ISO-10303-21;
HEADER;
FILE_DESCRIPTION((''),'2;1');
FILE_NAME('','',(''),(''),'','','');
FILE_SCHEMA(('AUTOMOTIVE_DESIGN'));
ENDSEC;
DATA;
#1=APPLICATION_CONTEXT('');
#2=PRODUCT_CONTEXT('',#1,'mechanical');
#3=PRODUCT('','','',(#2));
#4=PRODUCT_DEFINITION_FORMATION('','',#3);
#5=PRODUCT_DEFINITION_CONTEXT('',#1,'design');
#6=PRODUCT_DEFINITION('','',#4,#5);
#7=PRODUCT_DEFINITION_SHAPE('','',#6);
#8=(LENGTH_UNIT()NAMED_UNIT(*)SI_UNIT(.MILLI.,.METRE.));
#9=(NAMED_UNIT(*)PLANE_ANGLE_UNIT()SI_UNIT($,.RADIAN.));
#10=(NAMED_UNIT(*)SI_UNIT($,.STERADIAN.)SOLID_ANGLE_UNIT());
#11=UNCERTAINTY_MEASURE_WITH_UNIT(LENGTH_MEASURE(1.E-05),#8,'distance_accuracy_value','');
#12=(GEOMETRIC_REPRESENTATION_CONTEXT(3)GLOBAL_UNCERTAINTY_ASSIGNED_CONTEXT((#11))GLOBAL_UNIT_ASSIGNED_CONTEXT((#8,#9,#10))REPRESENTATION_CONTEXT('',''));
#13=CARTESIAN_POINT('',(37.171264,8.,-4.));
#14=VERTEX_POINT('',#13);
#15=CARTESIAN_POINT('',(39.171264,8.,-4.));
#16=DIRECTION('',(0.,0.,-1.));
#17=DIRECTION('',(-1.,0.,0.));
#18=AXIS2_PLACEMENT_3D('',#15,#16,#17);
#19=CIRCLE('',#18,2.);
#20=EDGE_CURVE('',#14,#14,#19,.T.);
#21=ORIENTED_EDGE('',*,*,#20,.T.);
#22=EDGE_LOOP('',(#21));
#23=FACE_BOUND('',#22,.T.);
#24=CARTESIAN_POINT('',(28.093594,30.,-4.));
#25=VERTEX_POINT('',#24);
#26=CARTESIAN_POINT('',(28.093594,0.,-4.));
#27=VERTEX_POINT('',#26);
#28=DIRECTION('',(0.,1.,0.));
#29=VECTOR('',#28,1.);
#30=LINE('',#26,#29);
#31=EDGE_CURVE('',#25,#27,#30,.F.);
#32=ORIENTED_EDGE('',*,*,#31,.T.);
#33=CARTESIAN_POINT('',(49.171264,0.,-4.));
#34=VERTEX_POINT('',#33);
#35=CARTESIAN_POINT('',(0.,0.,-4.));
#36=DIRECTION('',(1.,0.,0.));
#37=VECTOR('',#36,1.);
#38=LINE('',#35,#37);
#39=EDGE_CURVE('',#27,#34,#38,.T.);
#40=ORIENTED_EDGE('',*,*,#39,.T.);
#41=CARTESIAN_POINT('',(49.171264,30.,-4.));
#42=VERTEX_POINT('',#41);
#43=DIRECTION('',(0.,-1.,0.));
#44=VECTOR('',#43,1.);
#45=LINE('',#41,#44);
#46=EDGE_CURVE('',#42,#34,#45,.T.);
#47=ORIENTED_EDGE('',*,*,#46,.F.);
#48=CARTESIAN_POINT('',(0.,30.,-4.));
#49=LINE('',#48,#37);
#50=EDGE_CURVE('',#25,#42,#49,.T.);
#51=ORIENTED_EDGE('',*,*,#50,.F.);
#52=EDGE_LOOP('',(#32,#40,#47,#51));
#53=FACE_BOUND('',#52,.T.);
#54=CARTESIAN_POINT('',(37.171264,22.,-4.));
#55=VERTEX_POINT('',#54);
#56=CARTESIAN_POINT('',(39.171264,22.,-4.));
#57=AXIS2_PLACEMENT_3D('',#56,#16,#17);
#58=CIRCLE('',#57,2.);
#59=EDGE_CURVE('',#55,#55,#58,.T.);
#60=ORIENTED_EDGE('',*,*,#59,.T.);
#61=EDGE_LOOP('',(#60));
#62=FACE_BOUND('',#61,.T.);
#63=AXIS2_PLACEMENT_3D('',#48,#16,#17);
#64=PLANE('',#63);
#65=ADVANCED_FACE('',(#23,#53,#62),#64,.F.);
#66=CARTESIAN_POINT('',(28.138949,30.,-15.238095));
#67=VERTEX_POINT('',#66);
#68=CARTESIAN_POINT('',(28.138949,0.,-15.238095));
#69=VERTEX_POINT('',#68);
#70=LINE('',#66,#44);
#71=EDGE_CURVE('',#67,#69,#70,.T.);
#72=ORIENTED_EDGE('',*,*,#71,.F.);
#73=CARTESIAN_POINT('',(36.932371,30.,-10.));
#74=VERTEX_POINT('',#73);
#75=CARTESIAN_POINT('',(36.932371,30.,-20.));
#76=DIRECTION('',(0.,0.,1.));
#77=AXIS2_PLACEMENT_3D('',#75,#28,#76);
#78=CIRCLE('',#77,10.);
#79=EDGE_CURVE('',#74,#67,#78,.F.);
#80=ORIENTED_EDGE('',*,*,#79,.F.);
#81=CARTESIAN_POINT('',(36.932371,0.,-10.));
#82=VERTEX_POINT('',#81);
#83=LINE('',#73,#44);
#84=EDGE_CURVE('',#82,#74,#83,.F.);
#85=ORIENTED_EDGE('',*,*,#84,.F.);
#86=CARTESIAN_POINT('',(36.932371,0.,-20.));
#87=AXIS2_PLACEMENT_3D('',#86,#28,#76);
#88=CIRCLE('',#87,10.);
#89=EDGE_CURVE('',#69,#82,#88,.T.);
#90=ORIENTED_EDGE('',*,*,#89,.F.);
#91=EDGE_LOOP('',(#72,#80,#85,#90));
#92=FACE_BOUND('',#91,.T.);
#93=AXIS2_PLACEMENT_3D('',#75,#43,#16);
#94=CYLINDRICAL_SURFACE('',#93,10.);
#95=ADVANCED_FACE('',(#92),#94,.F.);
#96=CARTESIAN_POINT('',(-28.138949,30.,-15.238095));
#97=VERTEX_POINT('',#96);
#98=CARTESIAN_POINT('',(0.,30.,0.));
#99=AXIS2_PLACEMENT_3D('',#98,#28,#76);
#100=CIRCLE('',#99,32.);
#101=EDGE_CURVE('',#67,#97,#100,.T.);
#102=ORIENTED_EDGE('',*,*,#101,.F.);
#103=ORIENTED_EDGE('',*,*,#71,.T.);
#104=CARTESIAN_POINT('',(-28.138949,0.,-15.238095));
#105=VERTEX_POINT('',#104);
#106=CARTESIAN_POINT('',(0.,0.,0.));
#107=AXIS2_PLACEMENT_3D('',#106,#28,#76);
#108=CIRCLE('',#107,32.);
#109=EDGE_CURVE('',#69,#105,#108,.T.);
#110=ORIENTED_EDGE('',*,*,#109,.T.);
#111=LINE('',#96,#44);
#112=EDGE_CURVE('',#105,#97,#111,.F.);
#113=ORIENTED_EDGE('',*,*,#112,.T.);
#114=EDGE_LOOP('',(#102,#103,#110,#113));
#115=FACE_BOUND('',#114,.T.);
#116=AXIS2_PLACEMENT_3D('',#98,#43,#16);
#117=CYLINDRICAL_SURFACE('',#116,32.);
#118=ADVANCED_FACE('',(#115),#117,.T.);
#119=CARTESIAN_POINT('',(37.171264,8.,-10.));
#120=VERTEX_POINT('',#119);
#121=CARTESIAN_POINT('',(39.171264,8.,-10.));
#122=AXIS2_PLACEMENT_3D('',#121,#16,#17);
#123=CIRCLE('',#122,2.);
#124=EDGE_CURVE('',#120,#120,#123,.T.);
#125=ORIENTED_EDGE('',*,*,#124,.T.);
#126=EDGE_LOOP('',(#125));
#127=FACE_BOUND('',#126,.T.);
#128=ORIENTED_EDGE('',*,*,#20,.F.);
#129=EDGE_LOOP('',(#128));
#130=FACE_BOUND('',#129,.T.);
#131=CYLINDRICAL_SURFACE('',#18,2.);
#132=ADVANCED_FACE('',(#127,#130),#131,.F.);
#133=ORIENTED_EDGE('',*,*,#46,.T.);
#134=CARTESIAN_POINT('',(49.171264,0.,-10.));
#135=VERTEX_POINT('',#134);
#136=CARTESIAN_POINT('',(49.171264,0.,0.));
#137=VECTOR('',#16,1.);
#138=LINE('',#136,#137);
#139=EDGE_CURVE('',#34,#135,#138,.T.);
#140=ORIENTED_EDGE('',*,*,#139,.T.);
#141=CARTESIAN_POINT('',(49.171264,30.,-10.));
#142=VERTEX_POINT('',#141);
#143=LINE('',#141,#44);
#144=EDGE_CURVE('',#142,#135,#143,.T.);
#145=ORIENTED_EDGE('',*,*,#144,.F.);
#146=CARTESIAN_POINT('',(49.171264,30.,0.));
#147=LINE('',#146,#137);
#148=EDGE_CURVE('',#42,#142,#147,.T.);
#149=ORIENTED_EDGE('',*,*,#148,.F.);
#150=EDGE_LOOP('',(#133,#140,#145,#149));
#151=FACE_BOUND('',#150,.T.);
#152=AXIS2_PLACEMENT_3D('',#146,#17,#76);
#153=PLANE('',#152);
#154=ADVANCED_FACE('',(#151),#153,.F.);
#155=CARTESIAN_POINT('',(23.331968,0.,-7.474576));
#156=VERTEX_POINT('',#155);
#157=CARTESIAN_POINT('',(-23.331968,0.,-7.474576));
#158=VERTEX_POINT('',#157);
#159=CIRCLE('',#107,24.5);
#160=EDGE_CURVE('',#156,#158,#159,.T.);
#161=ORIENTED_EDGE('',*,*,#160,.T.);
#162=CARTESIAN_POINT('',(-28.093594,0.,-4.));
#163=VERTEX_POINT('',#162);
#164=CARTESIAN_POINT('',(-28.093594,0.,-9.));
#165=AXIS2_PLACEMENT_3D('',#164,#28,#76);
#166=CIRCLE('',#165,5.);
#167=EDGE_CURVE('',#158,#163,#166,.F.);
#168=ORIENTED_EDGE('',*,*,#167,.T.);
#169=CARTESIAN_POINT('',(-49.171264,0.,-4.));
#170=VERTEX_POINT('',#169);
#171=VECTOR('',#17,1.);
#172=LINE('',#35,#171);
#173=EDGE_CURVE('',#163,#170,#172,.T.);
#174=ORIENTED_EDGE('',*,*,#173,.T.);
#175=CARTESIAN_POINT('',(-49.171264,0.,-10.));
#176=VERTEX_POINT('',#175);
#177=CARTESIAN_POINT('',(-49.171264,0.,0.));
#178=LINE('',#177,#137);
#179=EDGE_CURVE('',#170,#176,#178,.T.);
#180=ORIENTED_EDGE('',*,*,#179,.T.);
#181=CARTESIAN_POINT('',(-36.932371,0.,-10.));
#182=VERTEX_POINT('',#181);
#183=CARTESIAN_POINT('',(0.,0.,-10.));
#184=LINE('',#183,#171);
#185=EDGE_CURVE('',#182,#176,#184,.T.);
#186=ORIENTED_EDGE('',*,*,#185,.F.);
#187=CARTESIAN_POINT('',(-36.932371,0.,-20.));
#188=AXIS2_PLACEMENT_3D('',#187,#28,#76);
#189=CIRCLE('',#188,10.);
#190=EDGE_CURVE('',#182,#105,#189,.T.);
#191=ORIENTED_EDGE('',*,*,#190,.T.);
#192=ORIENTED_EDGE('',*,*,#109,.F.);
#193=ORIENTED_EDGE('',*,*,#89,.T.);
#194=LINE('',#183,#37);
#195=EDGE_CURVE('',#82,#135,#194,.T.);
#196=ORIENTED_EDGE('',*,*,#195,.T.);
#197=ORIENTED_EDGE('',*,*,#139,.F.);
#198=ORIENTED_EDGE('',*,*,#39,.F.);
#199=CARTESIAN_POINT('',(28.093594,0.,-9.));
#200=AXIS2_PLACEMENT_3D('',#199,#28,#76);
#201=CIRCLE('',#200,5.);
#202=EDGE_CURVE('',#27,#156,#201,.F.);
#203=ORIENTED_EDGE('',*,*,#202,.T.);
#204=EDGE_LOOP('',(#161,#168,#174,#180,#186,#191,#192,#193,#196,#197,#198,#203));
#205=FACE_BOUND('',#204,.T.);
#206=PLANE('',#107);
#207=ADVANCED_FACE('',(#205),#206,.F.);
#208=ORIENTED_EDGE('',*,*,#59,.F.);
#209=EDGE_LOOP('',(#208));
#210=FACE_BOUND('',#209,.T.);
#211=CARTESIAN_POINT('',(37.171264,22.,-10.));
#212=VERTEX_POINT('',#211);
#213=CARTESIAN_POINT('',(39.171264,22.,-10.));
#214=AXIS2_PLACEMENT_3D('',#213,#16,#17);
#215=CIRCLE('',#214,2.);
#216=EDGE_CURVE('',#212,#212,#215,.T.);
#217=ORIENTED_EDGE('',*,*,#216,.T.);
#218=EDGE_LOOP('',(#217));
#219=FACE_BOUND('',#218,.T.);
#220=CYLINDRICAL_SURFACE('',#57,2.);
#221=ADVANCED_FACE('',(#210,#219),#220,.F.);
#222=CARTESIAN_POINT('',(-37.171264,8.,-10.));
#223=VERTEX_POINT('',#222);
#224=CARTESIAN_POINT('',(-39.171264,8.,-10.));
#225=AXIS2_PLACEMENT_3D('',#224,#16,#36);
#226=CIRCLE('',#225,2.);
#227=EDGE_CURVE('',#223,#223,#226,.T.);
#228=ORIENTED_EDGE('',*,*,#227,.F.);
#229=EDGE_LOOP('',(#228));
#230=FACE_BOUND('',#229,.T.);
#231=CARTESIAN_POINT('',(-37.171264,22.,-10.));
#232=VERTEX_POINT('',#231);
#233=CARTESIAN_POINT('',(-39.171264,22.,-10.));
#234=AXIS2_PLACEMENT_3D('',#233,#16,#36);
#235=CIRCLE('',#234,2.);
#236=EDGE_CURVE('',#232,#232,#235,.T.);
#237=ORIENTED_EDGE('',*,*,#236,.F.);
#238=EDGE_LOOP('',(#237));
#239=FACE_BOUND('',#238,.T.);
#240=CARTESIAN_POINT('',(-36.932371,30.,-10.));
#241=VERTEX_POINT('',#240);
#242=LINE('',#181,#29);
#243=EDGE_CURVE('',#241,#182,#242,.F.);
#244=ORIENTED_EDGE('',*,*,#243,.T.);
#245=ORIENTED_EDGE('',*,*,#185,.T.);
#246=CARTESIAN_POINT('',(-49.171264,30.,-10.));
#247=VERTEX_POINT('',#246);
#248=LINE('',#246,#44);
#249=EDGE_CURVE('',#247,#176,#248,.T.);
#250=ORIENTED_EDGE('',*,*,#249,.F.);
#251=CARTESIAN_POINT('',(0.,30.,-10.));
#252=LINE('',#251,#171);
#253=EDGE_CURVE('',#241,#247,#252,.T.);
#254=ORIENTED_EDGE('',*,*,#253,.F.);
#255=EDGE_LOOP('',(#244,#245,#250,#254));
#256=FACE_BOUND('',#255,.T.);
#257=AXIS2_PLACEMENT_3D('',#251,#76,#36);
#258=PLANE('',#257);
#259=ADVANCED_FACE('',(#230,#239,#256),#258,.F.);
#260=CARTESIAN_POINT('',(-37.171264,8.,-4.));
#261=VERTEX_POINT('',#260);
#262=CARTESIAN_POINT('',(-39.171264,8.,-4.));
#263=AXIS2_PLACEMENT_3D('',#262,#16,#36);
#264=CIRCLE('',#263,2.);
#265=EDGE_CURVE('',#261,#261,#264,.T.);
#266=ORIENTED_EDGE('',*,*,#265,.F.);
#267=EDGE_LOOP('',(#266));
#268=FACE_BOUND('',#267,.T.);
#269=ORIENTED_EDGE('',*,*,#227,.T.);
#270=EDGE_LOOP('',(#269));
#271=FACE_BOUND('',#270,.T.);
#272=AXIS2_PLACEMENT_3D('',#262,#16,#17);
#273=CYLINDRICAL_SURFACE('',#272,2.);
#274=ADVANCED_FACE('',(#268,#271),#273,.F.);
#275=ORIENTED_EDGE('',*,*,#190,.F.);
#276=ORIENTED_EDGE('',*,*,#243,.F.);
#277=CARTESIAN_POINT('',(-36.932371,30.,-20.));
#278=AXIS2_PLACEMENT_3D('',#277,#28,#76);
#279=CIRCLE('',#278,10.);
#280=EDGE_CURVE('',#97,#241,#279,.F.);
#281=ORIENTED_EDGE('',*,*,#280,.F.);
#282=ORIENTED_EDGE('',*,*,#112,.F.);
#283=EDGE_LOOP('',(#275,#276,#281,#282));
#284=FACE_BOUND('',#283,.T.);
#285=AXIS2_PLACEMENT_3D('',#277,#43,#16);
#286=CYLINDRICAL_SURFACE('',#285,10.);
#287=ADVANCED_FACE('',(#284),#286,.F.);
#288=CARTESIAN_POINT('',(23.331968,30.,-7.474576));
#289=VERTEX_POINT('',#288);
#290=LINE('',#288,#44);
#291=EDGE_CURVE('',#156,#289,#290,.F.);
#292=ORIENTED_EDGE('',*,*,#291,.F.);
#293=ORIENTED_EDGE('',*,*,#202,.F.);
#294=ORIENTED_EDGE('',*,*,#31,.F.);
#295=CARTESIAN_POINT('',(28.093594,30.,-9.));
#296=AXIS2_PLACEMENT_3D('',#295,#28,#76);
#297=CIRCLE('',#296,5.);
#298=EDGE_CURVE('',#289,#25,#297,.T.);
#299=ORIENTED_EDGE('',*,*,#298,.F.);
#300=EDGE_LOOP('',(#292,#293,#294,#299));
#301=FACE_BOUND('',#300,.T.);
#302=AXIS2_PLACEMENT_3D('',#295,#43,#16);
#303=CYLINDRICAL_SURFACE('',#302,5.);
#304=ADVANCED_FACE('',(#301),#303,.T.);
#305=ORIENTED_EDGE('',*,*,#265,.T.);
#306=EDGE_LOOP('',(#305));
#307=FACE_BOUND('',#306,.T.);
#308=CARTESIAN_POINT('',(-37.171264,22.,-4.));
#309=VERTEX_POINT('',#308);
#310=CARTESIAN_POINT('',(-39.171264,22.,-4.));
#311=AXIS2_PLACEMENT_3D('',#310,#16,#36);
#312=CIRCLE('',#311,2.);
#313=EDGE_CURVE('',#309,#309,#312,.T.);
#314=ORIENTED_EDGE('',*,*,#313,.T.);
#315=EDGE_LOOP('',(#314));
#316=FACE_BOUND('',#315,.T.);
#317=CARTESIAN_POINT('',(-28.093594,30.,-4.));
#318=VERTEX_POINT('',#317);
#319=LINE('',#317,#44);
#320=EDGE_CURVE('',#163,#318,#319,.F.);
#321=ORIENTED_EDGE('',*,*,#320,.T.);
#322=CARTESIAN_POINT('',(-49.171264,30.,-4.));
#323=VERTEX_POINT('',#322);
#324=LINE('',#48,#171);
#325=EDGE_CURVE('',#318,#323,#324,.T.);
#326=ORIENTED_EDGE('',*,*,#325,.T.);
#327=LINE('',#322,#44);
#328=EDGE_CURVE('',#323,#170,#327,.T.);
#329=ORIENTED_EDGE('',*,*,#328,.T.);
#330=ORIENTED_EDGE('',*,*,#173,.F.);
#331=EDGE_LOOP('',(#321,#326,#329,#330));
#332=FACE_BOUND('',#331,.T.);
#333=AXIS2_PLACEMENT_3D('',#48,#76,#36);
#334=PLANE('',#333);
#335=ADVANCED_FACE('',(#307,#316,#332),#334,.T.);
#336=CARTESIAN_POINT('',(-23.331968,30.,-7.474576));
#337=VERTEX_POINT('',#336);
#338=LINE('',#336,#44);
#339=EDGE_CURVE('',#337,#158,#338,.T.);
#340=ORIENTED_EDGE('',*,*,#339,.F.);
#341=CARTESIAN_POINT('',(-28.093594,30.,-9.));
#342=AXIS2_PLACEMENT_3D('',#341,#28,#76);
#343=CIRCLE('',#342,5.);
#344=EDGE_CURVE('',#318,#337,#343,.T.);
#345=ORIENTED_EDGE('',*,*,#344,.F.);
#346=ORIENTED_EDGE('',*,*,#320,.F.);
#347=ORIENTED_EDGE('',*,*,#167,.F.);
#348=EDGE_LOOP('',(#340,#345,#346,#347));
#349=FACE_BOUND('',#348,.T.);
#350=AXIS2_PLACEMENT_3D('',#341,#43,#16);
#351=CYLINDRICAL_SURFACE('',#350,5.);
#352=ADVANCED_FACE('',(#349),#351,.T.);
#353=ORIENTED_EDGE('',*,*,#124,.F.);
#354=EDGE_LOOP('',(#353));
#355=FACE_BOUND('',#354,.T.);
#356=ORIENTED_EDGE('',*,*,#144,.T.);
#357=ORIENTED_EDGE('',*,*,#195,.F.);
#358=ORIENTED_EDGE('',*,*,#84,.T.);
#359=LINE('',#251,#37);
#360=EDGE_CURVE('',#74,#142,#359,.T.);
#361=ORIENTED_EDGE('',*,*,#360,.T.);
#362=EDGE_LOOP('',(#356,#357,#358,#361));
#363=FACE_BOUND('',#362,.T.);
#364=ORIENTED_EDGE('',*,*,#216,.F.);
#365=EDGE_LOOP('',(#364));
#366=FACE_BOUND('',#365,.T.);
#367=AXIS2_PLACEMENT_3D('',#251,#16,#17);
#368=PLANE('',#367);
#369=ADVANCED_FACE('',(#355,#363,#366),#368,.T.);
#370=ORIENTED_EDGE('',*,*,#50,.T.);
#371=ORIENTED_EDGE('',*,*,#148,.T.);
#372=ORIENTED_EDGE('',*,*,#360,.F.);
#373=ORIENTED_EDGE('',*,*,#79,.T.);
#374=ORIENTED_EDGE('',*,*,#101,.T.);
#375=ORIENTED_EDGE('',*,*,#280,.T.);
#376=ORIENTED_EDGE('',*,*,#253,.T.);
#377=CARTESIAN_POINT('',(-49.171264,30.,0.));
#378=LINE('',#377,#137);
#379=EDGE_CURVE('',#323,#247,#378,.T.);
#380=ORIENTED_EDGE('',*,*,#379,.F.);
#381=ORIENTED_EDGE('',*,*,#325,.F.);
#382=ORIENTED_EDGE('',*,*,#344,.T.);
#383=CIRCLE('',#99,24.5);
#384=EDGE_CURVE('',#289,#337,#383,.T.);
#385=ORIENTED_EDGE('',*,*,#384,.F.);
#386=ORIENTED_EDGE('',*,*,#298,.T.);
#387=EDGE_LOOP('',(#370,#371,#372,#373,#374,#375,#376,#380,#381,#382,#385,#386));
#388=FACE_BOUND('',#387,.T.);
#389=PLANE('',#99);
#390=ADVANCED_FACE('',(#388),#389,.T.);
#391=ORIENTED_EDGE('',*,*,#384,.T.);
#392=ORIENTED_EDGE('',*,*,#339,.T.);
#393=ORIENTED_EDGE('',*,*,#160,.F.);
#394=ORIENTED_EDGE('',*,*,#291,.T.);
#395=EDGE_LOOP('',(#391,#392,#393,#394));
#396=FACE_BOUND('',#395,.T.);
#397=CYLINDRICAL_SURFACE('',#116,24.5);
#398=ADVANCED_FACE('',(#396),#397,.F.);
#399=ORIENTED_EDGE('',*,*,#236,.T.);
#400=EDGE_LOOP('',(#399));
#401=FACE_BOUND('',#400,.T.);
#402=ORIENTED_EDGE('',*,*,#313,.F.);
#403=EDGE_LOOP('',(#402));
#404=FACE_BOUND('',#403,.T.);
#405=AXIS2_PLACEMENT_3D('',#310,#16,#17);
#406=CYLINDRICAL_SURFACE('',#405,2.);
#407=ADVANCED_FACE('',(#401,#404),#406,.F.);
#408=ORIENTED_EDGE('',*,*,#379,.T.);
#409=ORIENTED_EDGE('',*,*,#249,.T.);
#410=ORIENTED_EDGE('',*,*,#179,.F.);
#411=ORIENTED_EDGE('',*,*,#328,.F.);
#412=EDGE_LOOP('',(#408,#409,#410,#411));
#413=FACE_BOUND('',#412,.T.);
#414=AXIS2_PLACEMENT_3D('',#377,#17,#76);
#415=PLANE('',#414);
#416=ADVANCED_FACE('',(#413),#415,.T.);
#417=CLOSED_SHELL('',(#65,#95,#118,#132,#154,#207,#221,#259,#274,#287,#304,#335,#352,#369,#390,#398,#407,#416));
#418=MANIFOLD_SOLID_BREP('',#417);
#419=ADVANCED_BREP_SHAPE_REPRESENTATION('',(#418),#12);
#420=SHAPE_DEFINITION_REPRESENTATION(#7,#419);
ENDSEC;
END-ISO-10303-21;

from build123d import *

# Parameters (mm, degrees)
BOSS_EXTRUDE1_DEPTH = 30
SKETCH2_R           = 2
CUT_EXTRUDE1_DEPTH  = 7
FILLET1_R           = 10
FILLET2_R           = 5


with BuildPart() as part:
    # Sketch1 → Boss-Extrude1 (new body)
    with BuildSketch(Plane(origin=(0, 0, 0), x_dir=(1, 0, 0), z_dir=(0, 1, 0))):
        with BuildLine():
            ThreePointArc((-24.171263931, 4), (0, 24.5), (24.171263931, 4))
            Line((24.171263931, 4), (49.171263931, 4))
            Line((49.171263931, 4), (49.171263931, 10))
            Line((49.171263931, 10), (30.397368307, 10))
            ThreePointArc((30.397368307, 10), (0, 32), (-30.397368307, 10))
            Line((-30.397368307, 10), (-49.171263931, 10))
            Line((-49.171263931, 10), (-49.171263931, 4))
            Line((-49.171263931, 4), (-24.171263931, 4))
        make_face()
    extrude(amount=BOSS_EXTRUDE1_DEPTH)

    # Sketch2 → Cut-Extrude1 (cut, through all)
    with BuildSketch(Plane(origin=(0, 0, -10), x_dir=(-1, 0, 0), z_dir=(0, 0, -1))):
        with Locations((-39.171263931, 22)):
            Circle(SKETCH2_R)
        with Locations((-39.171263931, 8)):
            Circle(SKETCH2_R)
        with Locations((39.171263931, 8)):
            Circle(SKETCH2_R)
        with Locations((39.171263931, 22)):
            Circle(SKETCH2_R)
    extrude(amount=-CUT_EXTRUDE1_DEPTH, mode=Mode.SUBTRACT)

    # Fillet1
    fillet1_edges = [part.edges().sort_by_distance(p)[0] for p in [
        (-30.397368307, 15, -10),
        (30.397368307, 15, -10),
    ]]
    fillet(fillet1_edges, radius=FILLET1_R)

    # Fillet2
    fillet2_edges = [part.edges().sort_by_distance(p)[0] for p in [
        (-24.171263931, 15, -4),
        (24.171263931, 15, -4),
    ]]
    fillet(fillet2_edges, radius=FILLET2_R)


solid = part.part
